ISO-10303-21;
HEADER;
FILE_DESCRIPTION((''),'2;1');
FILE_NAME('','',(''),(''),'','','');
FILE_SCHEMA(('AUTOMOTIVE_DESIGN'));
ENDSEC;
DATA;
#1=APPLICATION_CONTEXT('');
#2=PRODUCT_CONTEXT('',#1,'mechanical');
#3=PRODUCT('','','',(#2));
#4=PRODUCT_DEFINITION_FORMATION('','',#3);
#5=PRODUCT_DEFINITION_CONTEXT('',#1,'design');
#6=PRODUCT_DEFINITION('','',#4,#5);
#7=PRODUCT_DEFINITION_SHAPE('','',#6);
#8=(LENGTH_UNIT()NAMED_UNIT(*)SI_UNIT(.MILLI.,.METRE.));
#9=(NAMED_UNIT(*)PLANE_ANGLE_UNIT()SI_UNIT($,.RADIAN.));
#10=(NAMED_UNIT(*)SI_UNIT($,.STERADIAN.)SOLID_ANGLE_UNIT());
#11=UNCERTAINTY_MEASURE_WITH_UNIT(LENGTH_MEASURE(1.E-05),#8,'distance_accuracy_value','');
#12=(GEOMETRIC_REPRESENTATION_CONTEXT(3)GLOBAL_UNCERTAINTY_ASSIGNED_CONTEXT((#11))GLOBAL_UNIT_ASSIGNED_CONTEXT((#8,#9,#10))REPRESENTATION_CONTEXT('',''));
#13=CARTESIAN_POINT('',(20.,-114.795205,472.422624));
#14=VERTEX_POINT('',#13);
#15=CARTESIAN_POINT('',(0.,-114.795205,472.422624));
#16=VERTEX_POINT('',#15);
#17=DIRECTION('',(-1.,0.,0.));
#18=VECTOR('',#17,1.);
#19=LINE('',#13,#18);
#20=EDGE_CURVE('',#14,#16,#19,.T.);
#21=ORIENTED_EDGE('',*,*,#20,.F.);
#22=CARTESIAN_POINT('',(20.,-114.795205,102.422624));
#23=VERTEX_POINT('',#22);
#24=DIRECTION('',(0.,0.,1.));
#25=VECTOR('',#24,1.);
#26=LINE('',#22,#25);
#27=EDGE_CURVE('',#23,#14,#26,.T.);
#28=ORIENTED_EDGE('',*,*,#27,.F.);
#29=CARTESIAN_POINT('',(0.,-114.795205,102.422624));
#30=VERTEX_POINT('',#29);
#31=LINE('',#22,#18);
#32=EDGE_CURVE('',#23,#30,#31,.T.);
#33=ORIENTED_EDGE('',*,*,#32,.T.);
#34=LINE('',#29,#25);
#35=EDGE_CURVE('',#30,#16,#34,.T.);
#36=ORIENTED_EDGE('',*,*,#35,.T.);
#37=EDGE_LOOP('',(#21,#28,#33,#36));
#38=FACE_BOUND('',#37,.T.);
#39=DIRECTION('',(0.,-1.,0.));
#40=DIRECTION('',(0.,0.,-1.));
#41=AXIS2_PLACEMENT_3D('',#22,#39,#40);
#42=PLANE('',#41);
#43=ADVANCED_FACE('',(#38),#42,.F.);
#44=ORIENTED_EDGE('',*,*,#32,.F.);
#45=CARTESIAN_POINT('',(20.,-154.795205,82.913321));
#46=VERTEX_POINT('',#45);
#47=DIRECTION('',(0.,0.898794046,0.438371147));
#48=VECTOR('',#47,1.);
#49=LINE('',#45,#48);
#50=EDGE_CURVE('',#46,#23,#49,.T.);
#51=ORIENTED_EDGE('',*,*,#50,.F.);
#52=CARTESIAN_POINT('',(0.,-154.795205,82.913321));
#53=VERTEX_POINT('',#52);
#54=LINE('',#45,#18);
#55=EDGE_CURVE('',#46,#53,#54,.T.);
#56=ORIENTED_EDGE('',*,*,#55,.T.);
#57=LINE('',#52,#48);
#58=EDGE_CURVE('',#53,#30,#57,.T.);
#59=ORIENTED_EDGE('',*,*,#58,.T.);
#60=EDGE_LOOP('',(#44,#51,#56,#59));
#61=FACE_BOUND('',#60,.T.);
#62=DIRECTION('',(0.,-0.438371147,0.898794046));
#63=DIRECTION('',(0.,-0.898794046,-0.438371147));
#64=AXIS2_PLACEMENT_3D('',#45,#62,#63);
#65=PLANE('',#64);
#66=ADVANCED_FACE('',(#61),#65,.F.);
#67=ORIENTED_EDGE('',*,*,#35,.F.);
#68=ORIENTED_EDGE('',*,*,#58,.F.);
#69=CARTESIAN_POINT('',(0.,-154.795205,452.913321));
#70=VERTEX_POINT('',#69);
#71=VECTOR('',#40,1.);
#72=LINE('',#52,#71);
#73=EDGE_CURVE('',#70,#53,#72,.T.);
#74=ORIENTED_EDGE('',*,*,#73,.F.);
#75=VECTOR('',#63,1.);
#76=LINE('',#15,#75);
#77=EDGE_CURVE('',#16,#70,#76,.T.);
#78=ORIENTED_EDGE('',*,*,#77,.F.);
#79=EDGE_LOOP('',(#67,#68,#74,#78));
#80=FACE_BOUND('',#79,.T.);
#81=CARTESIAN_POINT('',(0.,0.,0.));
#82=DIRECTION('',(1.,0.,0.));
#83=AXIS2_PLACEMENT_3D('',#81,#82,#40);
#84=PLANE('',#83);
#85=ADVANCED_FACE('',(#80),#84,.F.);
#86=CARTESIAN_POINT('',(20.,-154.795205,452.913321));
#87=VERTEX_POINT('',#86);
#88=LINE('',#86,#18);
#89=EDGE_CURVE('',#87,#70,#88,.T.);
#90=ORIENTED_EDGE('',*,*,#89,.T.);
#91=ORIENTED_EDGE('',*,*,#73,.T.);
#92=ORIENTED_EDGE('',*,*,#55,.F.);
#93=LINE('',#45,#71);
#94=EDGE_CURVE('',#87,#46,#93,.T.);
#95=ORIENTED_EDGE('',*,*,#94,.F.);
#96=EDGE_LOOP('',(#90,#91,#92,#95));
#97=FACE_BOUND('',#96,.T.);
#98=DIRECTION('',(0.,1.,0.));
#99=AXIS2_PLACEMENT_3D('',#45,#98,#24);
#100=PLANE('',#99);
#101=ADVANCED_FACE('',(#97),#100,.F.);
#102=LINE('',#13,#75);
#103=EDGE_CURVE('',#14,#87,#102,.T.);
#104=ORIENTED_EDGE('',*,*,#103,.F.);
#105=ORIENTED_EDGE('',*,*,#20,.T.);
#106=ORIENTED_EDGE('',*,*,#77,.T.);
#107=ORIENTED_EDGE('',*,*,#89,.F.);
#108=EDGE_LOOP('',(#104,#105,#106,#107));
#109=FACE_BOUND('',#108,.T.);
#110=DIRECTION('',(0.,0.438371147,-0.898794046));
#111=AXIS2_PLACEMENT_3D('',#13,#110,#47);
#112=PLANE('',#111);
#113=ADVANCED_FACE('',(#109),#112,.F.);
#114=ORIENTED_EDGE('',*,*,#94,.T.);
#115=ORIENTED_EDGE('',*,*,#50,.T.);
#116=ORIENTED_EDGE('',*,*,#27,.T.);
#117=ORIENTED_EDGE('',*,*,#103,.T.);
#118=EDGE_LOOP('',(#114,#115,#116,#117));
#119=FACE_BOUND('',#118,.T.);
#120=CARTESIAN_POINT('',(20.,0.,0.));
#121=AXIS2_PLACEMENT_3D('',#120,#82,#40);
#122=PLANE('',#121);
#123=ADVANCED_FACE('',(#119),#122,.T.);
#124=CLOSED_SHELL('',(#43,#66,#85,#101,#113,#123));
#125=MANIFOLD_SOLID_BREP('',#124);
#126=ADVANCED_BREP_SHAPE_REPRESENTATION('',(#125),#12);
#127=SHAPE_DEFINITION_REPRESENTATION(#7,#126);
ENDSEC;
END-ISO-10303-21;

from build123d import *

# Parameters (mm, degrees)
EXTRUDE_1_DEPTH = 20


with BuildPart() as part:
    # Эскиз1 → Бобышка-Вытянуть1 (new body)
    with BuildSketch(Plane(origin=(0, 0, 0), x_dir=(0, 0, -1), z_dir=(1, 0, 0))):
        Polygon((-472.422624343, -114.795204883), (-452.9133208, -154.795204883), (-82.9133208, -154.795204883), (-102.422624343, -114.795204883), align=None)
    extrude(amount=EXTRUDE_1_DEPTH)


solid = part.part
